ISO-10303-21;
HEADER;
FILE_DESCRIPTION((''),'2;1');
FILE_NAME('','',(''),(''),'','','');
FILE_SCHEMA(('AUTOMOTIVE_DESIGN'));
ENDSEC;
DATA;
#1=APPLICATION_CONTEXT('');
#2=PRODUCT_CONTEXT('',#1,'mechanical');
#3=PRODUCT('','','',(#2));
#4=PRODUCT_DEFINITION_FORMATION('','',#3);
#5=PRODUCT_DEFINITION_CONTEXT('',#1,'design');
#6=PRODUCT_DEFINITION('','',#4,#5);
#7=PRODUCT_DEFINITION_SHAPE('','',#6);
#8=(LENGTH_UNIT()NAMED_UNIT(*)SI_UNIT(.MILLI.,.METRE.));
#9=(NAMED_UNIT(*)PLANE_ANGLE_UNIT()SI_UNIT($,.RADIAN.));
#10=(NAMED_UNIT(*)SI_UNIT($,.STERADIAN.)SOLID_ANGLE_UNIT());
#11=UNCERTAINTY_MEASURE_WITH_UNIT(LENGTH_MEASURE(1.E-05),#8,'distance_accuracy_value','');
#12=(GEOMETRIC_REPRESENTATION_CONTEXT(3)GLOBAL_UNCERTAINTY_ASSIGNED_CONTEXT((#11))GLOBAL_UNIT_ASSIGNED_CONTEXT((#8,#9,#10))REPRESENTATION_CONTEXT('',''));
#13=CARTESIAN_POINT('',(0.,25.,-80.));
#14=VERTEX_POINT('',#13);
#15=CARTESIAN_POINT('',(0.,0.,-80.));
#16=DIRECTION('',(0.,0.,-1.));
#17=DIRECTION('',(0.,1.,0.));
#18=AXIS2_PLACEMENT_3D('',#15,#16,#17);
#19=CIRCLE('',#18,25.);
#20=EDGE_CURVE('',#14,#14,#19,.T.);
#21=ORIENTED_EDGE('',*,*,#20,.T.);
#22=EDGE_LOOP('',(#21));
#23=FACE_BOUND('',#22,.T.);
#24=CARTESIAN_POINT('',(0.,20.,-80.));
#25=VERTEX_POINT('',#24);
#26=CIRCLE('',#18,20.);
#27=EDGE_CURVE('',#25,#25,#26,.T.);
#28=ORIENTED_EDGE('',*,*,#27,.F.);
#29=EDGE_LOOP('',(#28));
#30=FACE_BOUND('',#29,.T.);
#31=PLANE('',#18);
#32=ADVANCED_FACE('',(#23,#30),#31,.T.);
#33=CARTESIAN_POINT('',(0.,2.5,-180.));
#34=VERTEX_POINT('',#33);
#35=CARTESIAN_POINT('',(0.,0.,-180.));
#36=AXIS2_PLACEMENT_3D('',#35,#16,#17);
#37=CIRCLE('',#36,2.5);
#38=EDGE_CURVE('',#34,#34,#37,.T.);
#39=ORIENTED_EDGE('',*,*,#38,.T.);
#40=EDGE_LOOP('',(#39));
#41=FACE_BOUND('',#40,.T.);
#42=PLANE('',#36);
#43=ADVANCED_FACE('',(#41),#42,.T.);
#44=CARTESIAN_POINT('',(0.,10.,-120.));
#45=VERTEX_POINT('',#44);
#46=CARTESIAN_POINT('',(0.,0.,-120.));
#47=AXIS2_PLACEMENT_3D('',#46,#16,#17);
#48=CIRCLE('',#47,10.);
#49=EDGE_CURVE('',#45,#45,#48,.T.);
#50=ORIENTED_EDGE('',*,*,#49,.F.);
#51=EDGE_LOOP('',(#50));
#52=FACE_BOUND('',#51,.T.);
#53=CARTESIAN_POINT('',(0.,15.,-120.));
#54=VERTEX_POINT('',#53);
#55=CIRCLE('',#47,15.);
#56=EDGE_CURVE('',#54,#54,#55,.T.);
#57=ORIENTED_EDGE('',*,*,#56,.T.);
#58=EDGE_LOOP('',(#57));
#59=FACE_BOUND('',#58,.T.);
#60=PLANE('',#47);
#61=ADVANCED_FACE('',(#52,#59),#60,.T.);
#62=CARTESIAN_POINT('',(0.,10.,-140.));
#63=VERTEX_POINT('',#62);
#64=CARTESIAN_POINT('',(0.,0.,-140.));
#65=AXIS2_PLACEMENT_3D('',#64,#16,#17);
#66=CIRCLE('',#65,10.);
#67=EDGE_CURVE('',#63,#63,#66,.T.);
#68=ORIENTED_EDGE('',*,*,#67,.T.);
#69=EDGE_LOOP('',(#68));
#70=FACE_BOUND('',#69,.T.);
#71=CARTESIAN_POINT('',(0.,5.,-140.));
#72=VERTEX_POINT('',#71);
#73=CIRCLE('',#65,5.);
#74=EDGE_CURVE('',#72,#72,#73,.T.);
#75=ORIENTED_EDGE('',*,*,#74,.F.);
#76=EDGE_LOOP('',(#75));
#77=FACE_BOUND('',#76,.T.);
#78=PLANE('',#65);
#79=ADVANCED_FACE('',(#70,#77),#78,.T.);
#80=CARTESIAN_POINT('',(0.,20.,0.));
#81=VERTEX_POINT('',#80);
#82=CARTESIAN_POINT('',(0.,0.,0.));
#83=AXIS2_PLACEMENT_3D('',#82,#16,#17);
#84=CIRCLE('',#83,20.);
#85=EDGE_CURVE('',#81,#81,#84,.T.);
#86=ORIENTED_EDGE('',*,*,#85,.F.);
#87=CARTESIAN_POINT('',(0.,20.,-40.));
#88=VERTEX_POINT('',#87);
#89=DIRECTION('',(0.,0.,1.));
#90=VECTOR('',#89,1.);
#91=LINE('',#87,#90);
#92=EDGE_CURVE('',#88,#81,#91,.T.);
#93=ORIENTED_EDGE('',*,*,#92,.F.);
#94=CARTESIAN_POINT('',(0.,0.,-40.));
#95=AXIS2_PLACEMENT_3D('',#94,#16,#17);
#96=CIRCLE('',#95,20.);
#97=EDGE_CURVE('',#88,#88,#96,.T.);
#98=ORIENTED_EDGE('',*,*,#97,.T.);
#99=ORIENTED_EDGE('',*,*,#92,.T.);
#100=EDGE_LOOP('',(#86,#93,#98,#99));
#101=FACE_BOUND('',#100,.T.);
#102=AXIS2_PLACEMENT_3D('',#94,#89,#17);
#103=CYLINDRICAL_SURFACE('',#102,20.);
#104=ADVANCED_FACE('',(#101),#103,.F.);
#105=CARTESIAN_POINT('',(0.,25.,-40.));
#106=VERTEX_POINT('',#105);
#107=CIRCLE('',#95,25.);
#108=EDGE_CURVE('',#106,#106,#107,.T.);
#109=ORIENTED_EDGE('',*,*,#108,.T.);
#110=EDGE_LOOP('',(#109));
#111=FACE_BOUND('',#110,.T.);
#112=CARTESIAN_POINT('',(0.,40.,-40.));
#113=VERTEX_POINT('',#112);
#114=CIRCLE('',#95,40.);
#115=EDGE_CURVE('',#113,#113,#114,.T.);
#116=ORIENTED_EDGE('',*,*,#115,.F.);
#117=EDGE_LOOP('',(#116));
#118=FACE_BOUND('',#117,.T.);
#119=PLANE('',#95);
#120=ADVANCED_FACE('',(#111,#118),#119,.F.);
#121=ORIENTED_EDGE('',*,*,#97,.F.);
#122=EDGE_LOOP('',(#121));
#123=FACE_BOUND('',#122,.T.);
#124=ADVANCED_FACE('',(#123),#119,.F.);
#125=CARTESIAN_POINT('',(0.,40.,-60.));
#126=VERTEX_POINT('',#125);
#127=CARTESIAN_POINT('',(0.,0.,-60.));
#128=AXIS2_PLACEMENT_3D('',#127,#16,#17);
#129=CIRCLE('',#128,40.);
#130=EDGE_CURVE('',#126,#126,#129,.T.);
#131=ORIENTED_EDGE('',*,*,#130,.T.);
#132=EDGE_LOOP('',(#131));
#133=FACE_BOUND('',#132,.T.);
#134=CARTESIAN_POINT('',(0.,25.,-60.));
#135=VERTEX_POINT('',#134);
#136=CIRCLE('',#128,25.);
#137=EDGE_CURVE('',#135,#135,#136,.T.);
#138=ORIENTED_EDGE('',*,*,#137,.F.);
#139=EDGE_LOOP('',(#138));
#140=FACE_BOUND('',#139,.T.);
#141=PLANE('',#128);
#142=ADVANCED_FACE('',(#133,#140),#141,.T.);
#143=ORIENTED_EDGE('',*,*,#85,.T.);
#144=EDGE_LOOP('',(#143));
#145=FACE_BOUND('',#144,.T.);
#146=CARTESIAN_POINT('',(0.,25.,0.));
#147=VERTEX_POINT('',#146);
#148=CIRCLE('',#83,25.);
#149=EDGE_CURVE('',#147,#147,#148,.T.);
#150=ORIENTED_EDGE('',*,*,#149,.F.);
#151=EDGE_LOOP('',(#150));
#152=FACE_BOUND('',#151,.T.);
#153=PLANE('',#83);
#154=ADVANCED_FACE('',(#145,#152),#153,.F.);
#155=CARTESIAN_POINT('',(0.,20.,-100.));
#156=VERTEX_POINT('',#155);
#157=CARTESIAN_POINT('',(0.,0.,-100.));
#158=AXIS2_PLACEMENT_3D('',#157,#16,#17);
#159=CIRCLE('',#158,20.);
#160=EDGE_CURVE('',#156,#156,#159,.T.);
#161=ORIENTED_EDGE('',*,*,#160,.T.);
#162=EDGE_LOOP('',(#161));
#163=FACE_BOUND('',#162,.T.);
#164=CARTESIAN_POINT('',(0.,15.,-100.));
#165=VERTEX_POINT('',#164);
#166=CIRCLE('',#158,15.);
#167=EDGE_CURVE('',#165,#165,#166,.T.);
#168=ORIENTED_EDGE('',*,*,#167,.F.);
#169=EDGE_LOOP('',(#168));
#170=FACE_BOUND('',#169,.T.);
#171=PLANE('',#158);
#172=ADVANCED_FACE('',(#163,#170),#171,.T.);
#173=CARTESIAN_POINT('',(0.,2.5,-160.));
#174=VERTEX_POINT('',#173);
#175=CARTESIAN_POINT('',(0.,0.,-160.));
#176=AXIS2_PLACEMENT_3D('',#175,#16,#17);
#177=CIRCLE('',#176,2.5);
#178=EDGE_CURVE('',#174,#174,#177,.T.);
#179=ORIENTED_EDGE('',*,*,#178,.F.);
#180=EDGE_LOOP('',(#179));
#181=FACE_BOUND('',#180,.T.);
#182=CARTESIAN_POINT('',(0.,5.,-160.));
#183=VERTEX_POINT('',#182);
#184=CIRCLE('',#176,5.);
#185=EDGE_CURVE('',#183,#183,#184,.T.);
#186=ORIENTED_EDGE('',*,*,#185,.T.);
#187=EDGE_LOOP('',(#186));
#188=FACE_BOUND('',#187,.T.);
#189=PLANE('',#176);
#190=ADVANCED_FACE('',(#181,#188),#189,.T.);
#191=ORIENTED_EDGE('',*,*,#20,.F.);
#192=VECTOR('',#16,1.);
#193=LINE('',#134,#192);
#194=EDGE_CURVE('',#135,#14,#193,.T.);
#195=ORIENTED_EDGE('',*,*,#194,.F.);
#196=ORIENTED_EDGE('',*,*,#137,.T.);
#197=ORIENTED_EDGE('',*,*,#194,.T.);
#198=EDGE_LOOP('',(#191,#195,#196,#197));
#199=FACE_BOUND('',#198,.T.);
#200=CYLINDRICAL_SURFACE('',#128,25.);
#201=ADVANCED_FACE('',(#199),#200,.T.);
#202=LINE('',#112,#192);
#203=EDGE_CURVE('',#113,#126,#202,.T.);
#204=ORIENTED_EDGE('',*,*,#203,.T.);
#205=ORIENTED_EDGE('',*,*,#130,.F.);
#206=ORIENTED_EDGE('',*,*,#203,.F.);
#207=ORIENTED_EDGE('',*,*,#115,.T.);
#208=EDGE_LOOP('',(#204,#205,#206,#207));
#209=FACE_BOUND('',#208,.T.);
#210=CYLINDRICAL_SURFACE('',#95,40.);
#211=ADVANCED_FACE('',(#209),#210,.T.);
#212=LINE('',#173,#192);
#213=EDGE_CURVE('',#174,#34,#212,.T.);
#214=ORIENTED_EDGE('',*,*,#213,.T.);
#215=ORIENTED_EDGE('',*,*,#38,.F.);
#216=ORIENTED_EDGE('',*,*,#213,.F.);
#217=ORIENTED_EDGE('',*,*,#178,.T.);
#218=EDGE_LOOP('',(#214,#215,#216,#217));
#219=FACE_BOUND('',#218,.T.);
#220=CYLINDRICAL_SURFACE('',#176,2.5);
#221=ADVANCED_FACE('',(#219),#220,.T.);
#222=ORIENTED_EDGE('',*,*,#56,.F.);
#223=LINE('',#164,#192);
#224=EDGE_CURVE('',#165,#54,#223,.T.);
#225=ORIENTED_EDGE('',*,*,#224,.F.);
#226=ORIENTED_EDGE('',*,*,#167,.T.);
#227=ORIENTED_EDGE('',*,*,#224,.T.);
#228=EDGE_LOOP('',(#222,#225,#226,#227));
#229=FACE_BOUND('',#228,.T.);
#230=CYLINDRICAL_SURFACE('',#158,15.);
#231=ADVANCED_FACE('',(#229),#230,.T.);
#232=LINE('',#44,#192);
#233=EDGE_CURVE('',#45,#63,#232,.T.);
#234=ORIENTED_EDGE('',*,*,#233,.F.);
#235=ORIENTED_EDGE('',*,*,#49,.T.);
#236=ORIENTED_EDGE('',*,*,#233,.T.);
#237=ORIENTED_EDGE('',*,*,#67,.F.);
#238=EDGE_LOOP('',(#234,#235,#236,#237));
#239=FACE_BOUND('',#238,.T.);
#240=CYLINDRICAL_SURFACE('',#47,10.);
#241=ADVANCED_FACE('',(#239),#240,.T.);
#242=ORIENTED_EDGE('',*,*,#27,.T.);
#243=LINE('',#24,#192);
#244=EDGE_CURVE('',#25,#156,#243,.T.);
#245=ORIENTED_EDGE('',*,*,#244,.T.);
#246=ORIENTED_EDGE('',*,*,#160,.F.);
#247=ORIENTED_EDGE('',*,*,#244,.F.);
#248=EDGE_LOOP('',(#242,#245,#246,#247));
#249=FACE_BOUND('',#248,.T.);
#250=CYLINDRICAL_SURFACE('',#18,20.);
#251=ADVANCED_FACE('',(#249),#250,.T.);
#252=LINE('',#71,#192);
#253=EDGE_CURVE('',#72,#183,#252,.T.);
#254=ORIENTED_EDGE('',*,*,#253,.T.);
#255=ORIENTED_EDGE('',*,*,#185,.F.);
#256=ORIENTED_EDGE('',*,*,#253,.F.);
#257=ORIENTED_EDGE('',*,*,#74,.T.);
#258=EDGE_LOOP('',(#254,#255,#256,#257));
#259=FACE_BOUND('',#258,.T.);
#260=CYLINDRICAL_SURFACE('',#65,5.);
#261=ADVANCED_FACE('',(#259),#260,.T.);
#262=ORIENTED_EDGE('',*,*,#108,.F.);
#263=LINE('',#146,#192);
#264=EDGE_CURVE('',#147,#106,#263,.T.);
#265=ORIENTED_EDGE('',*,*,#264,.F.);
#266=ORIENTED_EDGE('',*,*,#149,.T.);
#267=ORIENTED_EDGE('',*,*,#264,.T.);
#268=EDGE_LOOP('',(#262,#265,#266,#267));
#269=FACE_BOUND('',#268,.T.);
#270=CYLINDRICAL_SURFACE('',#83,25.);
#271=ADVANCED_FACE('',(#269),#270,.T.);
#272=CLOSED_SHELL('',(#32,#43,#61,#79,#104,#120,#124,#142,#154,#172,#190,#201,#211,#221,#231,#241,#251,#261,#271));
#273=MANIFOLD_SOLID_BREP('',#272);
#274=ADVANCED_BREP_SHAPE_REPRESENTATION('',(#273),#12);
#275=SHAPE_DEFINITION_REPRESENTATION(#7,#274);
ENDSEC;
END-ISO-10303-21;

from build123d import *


with BuildPart() as part:
    # Croquis1 → Revolución1 (revolve)
    with BuildSketch(Plane(origin=(0, 0, 0), x_dir=(0, 0, -1), z_dir=(1, 0, 0))):
        Polygon((0, 25), (40, 25), (40, 40), (60, 40), (60, 25), (80, 25), (80, 20), (100, 20), (100, 15), (120, 15), (120, 10), (140, 10), (140, 5), (160, 5), (160, 2.5), (180, 2.5), (180, 0), (40, 0), (40, 20), (0, 20), align=None)
    revolve(axis=Axis((0, 0, 0), (0, 0, -1)))


solid = part.part
